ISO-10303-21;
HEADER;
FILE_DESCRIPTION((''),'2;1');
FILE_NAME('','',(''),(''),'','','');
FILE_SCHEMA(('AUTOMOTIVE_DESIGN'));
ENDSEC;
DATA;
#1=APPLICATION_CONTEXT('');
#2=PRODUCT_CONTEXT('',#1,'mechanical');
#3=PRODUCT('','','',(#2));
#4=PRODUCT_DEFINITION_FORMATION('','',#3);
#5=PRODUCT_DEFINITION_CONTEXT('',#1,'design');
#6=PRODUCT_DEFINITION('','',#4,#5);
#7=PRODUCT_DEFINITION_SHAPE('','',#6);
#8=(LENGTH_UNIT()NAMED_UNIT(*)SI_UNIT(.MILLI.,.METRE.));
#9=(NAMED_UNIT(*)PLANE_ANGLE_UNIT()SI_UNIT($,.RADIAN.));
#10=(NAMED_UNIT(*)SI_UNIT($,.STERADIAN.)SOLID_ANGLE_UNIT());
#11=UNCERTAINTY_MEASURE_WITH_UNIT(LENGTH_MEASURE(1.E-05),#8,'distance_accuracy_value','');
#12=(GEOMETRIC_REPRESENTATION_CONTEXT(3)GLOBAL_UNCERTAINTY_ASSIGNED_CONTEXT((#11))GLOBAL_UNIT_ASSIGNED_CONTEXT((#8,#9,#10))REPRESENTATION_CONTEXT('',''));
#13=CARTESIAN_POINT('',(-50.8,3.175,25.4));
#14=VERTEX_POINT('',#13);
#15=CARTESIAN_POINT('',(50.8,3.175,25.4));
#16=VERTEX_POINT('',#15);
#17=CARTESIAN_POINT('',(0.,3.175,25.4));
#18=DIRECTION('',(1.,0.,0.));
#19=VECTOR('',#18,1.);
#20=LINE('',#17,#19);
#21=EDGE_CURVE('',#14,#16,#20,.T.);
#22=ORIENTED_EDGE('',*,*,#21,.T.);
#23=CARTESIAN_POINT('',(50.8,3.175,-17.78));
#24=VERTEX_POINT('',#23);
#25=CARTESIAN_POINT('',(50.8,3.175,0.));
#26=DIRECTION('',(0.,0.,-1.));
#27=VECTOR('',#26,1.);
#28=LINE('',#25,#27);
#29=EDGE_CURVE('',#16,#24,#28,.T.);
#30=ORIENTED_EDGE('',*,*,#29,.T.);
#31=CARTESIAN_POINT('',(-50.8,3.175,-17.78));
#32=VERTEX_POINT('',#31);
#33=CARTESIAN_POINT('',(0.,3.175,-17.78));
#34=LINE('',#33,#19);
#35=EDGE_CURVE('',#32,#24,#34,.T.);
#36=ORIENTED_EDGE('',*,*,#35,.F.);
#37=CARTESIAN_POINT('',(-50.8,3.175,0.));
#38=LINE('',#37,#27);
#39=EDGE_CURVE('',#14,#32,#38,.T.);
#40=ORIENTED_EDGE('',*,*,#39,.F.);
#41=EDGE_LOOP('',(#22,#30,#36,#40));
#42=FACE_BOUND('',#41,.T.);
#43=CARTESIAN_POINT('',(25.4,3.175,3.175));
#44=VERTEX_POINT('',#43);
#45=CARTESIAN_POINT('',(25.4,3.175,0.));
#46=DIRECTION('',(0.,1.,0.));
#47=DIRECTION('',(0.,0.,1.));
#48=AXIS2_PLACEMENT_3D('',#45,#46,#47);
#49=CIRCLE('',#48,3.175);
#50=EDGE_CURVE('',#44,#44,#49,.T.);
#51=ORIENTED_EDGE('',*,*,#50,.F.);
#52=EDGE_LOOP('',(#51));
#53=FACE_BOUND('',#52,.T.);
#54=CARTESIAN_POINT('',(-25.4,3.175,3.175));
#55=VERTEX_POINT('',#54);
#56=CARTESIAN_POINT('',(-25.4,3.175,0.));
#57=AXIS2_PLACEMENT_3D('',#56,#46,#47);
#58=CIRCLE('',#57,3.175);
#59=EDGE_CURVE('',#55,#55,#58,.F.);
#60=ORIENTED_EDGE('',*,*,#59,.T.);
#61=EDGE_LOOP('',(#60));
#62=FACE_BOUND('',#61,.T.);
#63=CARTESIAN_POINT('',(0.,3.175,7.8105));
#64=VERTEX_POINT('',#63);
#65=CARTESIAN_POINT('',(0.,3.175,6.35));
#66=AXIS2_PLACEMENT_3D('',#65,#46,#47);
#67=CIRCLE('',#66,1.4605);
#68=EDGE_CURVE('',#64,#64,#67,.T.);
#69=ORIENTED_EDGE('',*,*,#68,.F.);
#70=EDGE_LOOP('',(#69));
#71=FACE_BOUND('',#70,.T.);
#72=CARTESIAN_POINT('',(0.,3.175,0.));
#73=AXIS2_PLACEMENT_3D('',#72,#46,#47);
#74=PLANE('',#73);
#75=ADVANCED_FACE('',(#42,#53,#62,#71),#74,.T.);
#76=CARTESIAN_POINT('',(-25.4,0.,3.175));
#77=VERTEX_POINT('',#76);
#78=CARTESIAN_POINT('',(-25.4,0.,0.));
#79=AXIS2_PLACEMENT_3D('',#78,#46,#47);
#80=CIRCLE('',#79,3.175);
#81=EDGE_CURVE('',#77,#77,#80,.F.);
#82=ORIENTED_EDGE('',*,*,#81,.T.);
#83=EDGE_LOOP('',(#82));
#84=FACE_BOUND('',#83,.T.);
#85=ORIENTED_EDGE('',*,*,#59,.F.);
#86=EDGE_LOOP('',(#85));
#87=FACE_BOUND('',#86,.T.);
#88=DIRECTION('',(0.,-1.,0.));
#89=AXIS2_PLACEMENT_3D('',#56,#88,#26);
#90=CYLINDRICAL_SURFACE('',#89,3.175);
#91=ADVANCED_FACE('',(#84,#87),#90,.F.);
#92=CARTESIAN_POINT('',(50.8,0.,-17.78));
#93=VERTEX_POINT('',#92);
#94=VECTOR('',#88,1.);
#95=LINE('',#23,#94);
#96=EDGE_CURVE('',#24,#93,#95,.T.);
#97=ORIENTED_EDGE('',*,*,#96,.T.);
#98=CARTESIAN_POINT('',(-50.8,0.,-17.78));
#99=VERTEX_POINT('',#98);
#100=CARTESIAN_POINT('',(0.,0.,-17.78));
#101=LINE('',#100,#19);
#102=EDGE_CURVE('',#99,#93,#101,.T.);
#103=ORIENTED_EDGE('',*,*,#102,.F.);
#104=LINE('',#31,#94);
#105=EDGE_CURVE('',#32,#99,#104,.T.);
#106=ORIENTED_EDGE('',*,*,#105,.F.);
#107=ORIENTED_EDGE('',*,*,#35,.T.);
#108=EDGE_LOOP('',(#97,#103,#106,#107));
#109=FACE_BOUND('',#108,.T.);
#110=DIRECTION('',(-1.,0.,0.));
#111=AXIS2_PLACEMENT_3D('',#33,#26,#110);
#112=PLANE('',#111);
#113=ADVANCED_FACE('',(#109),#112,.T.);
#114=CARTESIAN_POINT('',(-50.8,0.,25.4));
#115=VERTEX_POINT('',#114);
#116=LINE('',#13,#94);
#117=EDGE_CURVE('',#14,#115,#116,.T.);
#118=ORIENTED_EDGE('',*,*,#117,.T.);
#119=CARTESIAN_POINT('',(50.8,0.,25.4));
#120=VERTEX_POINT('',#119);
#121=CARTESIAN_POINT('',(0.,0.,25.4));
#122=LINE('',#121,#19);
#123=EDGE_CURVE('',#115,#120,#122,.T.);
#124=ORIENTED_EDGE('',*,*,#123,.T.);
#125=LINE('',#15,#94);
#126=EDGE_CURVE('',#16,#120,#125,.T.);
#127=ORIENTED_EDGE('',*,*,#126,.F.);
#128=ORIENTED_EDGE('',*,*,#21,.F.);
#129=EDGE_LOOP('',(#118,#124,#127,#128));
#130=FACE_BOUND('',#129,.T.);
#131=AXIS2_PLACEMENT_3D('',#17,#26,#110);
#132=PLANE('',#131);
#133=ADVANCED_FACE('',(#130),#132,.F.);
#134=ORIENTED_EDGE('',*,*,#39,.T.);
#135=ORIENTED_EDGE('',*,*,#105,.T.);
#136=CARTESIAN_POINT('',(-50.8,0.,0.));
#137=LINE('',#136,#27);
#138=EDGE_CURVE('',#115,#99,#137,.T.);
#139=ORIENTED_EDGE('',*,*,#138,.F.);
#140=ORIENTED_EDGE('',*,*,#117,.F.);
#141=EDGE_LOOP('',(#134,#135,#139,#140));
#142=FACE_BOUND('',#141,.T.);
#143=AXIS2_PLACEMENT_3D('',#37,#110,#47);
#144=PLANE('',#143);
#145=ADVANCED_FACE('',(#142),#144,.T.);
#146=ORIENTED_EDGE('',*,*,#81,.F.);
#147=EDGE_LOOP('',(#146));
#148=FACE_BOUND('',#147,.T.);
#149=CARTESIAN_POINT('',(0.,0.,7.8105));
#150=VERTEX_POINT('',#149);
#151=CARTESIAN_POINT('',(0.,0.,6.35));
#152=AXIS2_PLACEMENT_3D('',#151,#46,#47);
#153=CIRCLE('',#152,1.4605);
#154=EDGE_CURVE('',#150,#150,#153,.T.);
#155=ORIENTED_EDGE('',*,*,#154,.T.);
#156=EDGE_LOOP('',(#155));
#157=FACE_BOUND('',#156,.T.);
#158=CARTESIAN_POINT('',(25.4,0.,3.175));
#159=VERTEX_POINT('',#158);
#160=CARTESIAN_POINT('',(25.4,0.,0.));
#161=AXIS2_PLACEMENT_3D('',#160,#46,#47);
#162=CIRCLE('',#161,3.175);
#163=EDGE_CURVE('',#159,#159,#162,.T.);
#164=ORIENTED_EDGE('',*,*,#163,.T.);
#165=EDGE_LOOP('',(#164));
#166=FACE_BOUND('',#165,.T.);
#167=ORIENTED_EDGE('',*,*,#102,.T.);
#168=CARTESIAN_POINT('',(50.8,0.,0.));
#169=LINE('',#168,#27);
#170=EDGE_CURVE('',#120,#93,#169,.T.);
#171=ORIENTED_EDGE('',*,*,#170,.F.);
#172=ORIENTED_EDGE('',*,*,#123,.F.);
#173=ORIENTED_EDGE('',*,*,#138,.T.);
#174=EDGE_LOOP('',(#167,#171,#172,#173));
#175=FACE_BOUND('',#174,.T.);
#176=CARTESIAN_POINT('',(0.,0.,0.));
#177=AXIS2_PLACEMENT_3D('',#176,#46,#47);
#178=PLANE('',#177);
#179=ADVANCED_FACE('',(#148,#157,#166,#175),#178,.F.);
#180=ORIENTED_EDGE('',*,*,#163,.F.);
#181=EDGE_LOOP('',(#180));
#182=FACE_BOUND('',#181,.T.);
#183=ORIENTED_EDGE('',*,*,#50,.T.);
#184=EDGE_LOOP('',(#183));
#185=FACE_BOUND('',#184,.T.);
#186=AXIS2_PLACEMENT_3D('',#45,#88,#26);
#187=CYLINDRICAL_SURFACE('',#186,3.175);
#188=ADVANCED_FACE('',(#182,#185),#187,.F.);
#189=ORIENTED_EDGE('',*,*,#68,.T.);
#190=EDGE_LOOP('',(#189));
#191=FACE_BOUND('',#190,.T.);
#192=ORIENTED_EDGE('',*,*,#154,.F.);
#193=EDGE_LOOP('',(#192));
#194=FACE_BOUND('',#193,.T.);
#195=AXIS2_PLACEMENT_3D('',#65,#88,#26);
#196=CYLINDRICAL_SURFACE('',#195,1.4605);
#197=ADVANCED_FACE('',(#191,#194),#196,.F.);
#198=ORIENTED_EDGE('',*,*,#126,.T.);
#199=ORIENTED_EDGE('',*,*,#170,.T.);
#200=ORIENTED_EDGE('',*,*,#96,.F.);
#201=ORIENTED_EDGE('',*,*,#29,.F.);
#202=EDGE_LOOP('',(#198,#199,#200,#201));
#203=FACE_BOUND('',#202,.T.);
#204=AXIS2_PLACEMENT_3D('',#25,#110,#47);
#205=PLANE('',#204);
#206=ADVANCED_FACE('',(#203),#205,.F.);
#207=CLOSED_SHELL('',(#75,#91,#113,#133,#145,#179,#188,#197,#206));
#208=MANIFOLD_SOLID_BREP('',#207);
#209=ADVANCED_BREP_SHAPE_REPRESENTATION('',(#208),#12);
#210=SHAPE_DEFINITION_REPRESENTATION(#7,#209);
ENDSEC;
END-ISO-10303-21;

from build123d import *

# Parameters (mm, degrees)
SKETCH2_W           = 101.6
SKETCH2_H           = 43.18
SKETCH2_R           = 1.4605
SKETCH2_R_2         = 3.175
BOSS_EXTRUDE1_DEPTH = 3.175


with BuildPart() as part:
    # Sketch2 → Boss-Extrude1 (new body)
    with BuildSketch(Plane(origin=(0, 0, 0), x_dir=(1, 0, 0), z_dir=(0, 1, 0))):
        with Locations((0, -3.81)):
            Rectangle(SKETCH2_W, SKETCH2_H)
        with Locations(Location((0, -6.35, 0), (0, 0, 270))):
            Circle(SKETCH2_R, mode=Mode.SUBTRACT)
        with Locations(Location((-25.4, 0, 0), (0, 0, 270))):
            Circle(SKETCH2_R_2, mode=Mode.SUBTRACT)
        with BuildLine():
            ThreePointArc((22.225, 0), (25.4, 3.175), (28.575, 0))
            ThreePointArc((28.575, 0), (25.4, -3.175), (22.225, 0))
        make_face(mode=Mode.SUBTRACT)
    extrude(amount=BOSS_EXTRUDE1_DEPTH)


solid = part.part
